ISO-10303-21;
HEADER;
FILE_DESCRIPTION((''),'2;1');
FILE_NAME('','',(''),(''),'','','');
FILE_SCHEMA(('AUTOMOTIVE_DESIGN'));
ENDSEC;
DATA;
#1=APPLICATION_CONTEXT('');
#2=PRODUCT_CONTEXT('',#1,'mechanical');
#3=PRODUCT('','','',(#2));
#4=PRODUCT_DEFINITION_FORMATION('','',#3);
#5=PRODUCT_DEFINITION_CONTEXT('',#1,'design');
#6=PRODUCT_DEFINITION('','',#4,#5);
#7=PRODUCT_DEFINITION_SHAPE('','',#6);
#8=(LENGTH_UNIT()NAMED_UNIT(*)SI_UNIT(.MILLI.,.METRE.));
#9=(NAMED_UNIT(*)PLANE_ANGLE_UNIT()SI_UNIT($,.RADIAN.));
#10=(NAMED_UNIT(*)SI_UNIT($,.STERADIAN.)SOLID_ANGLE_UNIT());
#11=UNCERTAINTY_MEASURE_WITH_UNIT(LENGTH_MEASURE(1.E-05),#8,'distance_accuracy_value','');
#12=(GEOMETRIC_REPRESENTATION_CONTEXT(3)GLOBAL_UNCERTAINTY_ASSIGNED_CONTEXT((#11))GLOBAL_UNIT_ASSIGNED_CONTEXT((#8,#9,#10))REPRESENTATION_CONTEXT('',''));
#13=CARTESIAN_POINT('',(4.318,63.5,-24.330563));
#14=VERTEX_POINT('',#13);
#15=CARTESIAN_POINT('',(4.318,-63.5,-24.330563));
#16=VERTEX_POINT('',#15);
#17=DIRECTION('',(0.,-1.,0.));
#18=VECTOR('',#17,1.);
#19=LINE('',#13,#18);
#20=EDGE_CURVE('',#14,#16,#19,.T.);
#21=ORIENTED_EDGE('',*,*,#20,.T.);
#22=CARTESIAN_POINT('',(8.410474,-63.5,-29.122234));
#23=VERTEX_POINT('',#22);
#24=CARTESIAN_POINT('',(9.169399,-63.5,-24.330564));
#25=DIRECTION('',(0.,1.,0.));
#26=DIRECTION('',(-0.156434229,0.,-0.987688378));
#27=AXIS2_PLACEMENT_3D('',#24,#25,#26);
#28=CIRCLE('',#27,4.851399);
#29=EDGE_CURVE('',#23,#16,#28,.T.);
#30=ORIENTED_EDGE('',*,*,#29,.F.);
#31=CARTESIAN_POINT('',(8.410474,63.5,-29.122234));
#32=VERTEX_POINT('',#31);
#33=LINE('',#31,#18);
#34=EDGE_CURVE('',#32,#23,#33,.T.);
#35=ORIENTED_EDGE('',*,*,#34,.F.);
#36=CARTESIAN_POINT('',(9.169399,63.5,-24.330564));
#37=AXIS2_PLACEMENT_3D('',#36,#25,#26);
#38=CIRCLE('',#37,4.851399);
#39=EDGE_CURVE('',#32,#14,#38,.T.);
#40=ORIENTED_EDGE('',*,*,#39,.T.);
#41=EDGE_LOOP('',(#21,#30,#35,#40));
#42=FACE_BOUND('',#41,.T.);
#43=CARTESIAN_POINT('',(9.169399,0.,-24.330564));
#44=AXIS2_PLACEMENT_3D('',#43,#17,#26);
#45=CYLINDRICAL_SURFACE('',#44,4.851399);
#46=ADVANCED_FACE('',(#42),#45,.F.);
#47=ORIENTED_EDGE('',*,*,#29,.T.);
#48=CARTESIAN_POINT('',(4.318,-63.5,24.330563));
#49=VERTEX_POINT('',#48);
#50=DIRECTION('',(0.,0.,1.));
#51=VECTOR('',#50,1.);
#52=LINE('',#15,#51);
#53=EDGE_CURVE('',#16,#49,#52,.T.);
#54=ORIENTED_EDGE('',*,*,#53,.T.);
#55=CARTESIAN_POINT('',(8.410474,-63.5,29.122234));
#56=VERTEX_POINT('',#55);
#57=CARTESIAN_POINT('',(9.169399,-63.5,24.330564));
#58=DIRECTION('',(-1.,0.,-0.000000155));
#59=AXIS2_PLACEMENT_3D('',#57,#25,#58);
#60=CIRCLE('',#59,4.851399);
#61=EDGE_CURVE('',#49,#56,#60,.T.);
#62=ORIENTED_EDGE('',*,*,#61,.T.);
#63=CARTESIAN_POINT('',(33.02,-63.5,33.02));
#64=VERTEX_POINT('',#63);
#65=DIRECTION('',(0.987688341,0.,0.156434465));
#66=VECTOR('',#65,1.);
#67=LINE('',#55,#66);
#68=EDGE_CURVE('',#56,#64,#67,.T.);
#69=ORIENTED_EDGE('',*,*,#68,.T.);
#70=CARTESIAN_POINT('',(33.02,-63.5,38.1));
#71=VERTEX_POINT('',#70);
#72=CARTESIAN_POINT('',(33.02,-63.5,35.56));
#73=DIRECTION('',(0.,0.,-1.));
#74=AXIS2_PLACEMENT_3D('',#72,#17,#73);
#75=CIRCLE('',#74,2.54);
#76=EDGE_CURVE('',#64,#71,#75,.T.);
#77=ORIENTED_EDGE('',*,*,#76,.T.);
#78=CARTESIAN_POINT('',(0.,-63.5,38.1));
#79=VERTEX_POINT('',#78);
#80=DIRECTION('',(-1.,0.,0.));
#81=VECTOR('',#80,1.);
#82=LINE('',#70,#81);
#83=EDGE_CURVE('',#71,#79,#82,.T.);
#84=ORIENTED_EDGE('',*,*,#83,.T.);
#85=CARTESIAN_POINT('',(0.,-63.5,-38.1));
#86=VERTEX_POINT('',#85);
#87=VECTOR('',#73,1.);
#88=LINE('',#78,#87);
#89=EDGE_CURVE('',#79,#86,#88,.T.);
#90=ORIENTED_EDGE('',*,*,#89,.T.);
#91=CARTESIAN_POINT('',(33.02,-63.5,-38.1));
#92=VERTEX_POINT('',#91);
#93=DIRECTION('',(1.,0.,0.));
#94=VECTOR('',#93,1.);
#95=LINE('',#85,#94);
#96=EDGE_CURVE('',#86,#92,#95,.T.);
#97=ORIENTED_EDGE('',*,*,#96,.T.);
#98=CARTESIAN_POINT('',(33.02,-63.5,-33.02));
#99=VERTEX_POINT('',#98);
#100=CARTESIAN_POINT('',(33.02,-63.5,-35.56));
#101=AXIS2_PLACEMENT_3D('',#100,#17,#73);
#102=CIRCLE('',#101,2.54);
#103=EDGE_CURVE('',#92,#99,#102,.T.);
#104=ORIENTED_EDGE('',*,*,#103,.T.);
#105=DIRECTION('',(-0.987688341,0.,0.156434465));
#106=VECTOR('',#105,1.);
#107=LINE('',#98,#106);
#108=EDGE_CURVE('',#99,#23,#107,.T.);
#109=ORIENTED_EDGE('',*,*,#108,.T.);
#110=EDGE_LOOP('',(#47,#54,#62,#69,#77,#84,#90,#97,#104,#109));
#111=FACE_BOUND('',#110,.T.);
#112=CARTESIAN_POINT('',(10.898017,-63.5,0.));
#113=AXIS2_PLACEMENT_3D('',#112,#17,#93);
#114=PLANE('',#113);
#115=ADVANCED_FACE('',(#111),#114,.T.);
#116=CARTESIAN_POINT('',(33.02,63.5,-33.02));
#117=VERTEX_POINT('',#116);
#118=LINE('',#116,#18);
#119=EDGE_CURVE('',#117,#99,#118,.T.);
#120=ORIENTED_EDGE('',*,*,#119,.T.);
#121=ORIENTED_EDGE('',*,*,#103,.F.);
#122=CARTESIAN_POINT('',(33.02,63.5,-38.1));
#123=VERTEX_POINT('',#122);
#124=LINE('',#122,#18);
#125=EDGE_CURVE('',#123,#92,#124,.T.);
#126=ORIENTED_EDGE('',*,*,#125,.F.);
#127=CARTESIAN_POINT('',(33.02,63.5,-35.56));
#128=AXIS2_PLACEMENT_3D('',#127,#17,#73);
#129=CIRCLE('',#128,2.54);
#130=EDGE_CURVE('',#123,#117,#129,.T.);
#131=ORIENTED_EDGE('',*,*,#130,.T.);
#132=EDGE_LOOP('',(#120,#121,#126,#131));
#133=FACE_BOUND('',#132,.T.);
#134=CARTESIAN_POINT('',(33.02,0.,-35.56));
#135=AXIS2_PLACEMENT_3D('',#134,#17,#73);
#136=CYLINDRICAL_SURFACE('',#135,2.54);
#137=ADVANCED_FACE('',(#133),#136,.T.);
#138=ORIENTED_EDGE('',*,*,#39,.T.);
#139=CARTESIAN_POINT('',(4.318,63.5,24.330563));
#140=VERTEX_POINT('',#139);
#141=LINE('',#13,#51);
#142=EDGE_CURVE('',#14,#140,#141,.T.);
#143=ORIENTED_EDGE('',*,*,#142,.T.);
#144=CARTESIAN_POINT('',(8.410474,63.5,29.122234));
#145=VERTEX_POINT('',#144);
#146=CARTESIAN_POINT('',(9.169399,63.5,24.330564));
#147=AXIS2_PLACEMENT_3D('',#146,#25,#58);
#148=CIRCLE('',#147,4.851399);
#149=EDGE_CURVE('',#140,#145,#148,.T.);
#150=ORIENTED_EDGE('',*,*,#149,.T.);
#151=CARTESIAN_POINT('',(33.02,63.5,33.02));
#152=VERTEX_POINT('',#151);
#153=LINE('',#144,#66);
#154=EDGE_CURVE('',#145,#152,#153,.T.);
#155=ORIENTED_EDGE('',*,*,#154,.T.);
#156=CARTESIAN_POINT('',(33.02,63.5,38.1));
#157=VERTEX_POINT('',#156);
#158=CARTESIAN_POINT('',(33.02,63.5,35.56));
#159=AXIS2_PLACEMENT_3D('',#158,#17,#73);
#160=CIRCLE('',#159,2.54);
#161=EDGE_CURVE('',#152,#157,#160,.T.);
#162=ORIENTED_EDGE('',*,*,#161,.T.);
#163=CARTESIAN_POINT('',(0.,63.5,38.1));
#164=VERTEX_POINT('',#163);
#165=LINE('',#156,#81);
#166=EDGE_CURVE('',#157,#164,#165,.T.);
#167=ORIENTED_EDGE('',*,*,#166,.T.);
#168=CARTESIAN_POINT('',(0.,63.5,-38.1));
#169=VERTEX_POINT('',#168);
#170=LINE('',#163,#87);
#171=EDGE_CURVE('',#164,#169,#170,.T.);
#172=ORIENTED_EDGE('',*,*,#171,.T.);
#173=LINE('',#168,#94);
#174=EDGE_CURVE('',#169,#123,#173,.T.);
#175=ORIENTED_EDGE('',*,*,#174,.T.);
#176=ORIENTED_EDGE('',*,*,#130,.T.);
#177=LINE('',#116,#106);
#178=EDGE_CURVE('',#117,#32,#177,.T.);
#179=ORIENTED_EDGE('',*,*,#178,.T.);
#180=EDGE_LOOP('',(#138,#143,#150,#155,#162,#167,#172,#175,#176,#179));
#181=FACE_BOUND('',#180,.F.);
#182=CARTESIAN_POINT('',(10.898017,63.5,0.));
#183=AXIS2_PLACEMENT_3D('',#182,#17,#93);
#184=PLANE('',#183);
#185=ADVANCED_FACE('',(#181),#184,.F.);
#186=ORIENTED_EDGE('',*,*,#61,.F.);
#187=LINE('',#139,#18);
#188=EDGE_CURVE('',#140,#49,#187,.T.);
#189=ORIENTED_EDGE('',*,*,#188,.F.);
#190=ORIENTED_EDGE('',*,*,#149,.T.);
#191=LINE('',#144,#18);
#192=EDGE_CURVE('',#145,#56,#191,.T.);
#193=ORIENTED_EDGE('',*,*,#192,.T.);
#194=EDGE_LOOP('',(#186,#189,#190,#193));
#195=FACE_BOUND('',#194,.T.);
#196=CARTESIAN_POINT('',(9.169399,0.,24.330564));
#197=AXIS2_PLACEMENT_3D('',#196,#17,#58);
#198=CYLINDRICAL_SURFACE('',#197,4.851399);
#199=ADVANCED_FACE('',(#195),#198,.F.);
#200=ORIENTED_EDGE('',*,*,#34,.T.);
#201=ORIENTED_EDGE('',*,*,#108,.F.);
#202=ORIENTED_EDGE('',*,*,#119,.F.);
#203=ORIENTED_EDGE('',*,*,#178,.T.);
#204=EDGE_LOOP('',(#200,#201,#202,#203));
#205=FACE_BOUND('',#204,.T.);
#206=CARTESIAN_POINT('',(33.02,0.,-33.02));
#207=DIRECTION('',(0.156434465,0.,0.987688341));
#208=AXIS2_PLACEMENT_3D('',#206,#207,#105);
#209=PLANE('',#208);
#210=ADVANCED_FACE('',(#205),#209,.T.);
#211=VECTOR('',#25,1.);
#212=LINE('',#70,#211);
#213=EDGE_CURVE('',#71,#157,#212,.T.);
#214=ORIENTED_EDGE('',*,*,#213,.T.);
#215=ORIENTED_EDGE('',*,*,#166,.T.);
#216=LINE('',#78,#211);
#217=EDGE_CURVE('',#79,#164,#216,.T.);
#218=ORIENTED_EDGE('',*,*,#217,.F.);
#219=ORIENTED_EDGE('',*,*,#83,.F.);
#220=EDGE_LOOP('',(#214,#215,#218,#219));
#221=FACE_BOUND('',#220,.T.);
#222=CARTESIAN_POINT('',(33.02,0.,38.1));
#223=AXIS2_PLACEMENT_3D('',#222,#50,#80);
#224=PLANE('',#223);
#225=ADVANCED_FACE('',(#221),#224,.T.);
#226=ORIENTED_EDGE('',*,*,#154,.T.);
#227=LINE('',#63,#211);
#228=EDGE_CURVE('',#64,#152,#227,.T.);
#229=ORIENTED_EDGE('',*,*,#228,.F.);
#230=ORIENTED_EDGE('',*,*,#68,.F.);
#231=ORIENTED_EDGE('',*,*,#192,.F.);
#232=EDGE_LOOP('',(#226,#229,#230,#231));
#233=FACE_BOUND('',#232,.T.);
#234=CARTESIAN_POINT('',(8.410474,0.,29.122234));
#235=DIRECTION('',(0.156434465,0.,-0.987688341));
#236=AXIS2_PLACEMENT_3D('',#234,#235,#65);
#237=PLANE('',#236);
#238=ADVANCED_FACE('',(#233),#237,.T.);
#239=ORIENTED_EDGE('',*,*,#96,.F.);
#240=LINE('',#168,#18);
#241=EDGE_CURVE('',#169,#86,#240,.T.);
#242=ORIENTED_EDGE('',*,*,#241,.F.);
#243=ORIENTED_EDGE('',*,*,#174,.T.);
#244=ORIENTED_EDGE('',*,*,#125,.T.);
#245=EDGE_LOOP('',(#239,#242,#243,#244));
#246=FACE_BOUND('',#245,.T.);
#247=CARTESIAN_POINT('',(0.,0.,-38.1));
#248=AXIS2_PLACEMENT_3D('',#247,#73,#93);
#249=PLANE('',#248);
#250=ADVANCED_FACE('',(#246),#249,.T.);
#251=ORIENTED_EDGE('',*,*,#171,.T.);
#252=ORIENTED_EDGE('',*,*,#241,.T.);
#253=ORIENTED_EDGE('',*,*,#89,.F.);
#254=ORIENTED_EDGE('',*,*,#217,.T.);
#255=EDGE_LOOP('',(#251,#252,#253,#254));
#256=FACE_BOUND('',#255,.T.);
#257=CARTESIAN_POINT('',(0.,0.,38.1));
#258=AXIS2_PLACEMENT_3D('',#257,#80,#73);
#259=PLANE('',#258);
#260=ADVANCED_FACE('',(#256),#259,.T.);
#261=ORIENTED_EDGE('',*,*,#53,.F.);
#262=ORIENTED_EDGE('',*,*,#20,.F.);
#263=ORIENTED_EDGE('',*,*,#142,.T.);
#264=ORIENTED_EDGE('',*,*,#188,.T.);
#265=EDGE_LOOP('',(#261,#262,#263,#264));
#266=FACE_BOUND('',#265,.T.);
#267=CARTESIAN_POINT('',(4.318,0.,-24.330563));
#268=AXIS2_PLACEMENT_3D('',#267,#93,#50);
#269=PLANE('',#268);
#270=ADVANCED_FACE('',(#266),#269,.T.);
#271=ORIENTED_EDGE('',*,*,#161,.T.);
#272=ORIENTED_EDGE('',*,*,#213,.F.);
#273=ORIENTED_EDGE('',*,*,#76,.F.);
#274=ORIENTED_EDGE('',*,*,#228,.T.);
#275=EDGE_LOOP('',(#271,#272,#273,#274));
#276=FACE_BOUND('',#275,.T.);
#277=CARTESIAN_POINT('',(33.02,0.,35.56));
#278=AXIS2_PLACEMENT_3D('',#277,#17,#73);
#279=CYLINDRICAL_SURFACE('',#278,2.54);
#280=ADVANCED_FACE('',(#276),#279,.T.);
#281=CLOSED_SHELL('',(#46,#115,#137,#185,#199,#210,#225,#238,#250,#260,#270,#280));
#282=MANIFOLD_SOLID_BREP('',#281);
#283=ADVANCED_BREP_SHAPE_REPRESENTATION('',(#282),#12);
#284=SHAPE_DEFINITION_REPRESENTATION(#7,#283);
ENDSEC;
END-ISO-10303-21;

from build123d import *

# Parameters (mm, degrees)
F1_DEPTH = 63.5


with BuildPart() as f1:
    # F0 (on Front) → F1 (new body, symmetric)
    with BuildSketch(Plane.XZ):
        with BuildLine():
            Line((0, 38.1), (0, 0))
            Line((0, 0), (0, -38.1))
            Line((0, -38.1), (33.02, -38.1))
            ThreePointArc((33.02, -38.1), (35.56, -35.56), (33.02, -33.02))
            Line((33.02, -33.02), (8.410474, -29.122234))
            ThreePointArc((8.410474, -29.122234), (5.480366, -27.481295), (4.318, -24.330563))
            Line((4.318, -24.330563), (4.318, 0))
            Line((4.318, 0), (4.318, 24.330563))
            ThreePointArc((4.318, 24.330563), (5.480366, 27.481295), (8.410474, 29.122234))
            Line((8.410474, 29.122234), (33.02, 33.02))
            ThreePointArc((33.02, 33.02), (35.56, 35.56), (33.02, 38.1))
            Line((33.02, 38.1), (0, 38.1))
        make_face()
    extrude(amount=F1_DEPTH, both=True)


solid = f1.part
